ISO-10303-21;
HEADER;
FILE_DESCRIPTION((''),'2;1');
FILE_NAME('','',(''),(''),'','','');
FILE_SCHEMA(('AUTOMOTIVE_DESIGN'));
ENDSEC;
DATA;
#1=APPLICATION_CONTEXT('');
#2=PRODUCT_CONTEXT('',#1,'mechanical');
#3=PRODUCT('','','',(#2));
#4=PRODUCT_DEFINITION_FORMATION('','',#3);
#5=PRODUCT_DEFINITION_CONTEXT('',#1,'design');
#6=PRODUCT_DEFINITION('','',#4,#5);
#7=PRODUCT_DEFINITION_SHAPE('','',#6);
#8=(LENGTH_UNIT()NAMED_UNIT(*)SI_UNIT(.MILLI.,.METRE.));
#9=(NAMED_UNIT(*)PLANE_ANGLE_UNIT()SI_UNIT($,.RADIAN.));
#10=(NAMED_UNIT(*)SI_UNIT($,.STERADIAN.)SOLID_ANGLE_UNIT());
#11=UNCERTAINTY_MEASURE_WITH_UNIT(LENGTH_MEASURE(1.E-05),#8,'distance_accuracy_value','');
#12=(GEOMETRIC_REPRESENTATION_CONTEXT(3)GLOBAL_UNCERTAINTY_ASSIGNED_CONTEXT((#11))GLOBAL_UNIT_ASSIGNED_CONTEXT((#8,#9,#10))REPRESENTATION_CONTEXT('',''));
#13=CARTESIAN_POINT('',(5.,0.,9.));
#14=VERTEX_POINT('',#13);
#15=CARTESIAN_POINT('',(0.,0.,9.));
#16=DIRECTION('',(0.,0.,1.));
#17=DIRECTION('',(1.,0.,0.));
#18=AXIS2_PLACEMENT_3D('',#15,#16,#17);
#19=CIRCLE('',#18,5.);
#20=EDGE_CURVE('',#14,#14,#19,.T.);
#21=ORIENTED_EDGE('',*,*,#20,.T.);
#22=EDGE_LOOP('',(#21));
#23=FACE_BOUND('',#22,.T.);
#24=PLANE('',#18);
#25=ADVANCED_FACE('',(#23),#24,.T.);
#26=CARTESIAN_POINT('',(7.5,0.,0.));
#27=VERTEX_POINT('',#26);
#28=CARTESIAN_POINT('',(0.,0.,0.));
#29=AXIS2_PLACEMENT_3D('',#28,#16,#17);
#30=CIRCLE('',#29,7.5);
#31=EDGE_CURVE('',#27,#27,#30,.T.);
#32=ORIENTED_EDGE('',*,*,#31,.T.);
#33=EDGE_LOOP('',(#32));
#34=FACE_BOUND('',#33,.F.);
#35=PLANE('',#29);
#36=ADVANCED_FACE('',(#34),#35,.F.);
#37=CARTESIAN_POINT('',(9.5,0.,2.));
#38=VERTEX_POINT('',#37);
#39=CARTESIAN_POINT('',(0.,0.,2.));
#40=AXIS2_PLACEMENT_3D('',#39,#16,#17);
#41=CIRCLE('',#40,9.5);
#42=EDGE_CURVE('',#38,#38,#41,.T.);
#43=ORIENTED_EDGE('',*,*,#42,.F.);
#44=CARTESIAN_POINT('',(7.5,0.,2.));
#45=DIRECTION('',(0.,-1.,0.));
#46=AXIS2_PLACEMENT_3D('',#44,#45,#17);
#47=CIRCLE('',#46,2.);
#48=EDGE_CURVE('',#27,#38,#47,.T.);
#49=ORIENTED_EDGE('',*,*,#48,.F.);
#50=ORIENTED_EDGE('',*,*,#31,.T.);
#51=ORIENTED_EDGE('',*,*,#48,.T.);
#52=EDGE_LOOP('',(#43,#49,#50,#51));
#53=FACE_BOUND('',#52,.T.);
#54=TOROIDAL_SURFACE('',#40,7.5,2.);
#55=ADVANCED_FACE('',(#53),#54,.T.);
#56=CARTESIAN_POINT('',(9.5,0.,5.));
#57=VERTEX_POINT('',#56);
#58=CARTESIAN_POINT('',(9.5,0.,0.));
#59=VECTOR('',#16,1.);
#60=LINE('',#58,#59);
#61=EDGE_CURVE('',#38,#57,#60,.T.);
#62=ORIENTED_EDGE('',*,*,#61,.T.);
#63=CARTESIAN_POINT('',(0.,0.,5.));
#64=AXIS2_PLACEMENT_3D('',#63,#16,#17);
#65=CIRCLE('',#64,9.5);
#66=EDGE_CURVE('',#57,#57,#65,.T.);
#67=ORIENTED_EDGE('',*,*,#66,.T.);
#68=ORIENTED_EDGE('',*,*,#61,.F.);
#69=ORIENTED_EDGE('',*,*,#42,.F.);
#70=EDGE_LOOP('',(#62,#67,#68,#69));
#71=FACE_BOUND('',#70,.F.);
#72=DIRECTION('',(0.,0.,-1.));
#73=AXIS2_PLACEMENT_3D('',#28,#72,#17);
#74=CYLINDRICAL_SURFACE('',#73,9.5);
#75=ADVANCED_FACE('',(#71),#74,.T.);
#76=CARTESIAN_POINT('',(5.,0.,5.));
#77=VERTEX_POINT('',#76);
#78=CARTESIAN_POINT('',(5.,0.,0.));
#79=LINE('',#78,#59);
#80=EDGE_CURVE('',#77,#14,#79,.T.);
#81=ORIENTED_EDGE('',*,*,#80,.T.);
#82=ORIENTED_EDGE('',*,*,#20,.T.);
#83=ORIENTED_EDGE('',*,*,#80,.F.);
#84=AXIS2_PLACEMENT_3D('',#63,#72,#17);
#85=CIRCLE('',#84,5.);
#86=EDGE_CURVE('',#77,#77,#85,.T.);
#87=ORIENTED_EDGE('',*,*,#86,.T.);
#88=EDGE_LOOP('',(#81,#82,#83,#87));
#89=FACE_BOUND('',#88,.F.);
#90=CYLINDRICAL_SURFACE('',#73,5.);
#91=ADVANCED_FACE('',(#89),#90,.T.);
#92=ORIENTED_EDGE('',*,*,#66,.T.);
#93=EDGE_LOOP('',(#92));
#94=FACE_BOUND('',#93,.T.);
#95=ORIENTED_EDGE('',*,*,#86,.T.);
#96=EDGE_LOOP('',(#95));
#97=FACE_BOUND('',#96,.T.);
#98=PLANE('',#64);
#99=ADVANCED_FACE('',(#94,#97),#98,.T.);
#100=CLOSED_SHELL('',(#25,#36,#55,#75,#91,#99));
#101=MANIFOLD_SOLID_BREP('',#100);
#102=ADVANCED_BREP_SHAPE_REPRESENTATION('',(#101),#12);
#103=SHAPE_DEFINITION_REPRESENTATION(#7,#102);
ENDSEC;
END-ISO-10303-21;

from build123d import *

# Parameters (mm, degrees)
F0_R     = 9.5
F1_DEPTH = 5
F2_R     = 5
F3_DEPTH = 9
F4_R     = 2


with BuildPart() as f1:
    # F0 (on Top) → F1 (new body)
    with BuildSketch(Plane.XY):
        Circle(F0_R)
    extrude(amount=F1_DEPTH)

    # F2 (on Top) → F3 (join)
    with BuildSketch(Plane.XY):
        Circle(F2_R)
    extrude(amount=F3_DEPTH)

    # F4
    f4_edges = [f1.edges().sort_by_distance(p)[0] for p in [
        (-9.5, 0, 0),
    ]]
    fillet(f4_edges, radius=F4_R)


solid = f1.part
